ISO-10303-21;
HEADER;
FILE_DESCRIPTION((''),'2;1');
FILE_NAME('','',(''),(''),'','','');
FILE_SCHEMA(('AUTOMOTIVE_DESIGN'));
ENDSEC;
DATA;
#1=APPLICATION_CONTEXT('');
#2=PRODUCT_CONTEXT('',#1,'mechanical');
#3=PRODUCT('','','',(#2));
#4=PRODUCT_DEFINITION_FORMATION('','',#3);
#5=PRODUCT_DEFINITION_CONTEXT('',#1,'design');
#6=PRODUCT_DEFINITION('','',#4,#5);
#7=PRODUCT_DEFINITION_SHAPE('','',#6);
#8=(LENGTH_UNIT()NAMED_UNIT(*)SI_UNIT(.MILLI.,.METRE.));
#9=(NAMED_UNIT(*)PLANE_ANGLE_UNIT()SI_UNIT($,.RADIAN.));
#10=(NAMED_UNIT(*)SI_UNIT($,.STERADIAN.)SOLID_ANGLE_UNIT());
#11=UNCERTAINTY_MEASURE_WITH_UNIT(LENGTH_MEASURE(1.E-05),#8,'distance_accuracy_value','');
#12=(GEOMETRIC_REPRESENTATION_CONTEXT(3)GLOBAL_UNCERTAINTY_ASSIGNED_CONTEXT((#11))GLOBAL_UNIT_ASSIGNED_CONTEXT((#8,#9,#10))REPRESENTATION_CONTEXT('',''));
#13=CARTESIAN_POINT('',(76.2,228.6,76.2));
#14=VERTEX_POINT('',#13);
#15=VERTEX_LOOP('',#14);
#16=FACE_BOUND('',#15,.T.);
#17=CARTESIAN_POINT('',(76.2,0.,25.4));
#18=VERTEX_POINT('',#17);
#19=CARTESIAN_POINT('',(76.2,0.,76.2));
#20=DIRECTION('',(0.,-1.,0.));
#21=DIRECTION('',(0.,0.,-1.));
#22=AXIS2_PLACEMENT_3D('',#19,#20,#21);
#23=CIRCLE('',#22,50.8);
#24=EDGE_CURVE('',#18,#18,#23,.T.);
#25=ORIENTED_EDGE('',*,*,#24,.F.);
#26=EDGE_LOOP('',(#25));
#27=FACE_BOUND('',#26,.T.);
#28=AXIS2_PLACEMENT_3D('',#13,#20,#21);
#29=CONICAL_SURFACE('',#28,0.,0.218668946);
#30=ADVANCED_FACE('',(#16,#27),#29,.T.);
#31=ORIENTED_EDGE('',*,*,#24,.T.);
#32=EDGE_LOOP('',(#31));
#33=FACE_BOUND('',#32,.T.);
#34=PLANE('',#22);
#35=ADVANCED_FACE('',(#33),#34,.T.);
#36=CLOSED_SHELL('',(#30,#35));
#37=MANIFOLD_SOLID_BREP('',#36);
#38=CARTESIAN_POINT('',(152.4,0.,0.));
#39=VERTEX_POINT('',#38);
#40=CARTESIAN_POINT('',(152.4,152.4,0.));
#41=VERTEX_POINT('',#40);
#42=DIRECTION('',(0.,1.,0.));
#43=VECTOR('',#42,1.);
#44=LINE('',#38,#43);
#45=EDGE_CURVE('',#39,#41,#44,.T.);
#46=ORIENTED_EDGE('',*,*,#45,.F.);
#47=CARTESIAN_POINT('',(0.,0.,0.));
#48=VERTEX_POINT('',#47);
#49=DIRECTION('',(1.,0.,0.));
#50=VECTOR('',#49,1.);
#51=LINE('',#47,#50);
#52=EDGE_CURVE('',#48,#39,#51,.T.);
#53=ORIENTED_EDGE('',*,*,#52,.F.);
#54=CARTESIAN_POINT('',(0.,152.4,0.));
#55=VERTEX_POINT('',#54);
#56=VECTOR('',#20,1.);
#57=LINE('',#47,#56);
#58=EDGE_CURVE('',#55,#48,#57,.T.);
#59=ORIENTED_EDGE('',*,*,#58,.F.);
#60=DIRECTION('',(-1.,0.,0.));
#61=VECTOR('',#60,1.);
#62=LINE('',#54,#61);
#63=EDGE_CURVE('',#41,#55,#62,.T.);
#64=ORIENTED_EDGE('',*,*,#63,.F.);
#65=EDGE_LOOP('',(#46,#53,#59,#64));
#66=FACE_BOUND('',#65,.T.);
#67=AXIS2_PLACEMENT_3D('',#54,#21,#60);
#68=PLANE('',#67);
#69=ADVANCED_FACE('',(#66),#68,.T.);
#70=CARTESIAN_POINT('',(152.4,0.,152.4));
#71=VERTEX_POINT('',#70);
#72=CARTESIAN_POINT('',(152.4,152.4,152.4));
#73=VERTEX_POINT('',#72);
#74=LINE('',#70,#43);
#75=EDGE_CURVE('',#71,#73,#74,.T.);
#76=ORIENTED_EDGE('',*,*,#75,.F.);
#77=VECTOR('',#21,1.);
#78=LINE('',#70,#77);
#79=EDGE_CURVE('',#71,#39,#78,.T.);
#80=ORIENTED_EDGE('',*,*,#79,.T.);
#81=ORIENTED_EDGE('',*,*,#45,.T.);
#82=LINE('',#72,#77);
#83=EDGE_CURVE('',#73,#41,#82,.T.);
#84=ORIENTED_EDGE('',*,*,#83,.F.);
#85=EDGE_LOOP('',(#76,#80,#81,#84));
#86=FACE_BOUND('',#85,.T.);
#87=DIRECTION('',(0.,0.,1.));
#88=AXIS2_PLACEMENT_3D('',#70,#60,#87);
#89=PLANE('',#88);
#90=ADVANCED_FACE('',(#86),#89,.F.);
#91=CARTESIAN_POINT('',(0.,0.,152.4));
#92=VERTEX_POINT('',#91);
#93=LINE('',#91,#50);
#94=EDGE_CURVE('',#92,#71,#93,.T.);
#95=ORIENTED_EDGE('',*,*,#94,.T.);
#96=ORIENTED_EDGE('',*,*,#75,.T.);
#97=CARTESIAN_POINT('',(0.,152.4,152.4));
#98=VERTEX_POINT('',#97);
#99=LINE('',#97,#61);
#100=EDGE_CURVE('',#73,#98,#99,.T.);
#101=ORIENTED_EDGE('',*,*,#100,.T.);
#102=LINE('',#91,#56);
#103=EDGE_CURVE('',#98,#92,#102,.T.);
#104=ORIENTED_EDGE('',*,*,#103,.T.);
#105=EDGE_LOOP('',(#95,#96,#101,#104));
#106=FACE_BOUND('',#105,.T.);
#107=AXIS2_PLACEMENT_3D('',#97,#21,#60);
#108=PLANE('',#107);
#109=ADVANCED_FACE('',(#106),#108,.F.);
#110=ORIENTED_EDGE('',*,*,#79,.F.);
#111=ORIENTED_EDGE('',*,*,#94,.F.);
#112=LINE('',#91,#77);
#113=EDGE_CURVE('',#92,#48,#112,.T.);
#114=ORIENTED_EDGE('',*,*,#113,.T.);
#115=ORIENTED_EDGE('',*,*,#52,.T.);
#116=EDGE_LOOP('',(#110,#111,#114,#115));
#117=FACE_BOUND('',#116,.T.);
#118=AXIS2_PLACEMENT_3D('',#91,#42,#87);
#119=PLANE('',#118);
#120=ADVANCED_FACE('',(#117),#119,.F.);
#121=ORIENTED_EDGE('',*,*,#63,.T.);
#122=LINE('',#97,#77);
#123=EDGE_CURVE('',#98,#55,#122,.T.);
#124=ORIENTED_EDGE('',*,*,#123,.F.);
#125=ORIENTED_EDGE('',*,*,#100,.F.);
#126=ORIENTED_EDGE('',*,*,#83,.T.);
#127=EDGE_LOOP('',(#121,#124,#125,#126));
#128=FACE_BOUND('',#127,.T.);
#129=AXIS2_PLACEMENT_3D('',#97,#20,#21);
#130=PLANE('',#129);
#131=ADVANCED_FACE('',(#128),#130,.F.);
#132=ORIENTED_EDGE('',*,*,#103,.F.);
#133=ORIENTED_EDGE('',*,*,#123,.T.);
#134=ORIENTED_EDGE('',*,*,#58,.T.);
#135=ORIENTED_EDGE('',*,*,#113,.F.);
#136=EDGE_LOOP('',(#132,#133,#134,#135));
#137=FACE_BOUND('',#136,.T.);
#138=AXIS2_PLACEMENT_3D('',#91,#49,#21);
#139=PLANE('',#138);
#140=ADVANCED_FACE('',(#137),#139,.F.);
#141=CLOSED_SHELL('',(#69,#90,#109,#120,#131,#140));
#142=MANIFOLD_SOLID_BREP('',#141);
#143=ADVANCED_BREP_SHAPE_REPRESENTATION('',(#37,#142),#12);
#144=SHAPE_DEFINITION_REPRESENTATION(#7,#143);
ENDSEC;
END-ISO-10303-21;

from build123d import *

# Parameters (mm, degrees)
SKETCH1_W  = 152.4
SKETCH1_H  = 152.4
CUBE_DEPTH = 152.4
SKETCH2_R  = 50.8


with BuildPart() as part:
    # Sketch1 → Cube (new body)
    with BuildSketch(Plane.XY):
        with Locations((76.2, 76.2)):
            Rectangle(SKETCH1_W, SKETCH1_H)
    extrude(amount=CUBE_DEPTH)


with BuildPart() as body_2:
    # Sketch2 → Cone section 0
    with BuildSketch(Plane.XZ, mode=Mode.PRIVATE) as cone_s0:
        with Locations((76.2, 76.2)):
            Circle(SKETCH2_R)
    loft([cone_s0.sketch, Vertex(76.2, 228.6, 76.2)])


solid = Compound([part.part, body_2.part])
